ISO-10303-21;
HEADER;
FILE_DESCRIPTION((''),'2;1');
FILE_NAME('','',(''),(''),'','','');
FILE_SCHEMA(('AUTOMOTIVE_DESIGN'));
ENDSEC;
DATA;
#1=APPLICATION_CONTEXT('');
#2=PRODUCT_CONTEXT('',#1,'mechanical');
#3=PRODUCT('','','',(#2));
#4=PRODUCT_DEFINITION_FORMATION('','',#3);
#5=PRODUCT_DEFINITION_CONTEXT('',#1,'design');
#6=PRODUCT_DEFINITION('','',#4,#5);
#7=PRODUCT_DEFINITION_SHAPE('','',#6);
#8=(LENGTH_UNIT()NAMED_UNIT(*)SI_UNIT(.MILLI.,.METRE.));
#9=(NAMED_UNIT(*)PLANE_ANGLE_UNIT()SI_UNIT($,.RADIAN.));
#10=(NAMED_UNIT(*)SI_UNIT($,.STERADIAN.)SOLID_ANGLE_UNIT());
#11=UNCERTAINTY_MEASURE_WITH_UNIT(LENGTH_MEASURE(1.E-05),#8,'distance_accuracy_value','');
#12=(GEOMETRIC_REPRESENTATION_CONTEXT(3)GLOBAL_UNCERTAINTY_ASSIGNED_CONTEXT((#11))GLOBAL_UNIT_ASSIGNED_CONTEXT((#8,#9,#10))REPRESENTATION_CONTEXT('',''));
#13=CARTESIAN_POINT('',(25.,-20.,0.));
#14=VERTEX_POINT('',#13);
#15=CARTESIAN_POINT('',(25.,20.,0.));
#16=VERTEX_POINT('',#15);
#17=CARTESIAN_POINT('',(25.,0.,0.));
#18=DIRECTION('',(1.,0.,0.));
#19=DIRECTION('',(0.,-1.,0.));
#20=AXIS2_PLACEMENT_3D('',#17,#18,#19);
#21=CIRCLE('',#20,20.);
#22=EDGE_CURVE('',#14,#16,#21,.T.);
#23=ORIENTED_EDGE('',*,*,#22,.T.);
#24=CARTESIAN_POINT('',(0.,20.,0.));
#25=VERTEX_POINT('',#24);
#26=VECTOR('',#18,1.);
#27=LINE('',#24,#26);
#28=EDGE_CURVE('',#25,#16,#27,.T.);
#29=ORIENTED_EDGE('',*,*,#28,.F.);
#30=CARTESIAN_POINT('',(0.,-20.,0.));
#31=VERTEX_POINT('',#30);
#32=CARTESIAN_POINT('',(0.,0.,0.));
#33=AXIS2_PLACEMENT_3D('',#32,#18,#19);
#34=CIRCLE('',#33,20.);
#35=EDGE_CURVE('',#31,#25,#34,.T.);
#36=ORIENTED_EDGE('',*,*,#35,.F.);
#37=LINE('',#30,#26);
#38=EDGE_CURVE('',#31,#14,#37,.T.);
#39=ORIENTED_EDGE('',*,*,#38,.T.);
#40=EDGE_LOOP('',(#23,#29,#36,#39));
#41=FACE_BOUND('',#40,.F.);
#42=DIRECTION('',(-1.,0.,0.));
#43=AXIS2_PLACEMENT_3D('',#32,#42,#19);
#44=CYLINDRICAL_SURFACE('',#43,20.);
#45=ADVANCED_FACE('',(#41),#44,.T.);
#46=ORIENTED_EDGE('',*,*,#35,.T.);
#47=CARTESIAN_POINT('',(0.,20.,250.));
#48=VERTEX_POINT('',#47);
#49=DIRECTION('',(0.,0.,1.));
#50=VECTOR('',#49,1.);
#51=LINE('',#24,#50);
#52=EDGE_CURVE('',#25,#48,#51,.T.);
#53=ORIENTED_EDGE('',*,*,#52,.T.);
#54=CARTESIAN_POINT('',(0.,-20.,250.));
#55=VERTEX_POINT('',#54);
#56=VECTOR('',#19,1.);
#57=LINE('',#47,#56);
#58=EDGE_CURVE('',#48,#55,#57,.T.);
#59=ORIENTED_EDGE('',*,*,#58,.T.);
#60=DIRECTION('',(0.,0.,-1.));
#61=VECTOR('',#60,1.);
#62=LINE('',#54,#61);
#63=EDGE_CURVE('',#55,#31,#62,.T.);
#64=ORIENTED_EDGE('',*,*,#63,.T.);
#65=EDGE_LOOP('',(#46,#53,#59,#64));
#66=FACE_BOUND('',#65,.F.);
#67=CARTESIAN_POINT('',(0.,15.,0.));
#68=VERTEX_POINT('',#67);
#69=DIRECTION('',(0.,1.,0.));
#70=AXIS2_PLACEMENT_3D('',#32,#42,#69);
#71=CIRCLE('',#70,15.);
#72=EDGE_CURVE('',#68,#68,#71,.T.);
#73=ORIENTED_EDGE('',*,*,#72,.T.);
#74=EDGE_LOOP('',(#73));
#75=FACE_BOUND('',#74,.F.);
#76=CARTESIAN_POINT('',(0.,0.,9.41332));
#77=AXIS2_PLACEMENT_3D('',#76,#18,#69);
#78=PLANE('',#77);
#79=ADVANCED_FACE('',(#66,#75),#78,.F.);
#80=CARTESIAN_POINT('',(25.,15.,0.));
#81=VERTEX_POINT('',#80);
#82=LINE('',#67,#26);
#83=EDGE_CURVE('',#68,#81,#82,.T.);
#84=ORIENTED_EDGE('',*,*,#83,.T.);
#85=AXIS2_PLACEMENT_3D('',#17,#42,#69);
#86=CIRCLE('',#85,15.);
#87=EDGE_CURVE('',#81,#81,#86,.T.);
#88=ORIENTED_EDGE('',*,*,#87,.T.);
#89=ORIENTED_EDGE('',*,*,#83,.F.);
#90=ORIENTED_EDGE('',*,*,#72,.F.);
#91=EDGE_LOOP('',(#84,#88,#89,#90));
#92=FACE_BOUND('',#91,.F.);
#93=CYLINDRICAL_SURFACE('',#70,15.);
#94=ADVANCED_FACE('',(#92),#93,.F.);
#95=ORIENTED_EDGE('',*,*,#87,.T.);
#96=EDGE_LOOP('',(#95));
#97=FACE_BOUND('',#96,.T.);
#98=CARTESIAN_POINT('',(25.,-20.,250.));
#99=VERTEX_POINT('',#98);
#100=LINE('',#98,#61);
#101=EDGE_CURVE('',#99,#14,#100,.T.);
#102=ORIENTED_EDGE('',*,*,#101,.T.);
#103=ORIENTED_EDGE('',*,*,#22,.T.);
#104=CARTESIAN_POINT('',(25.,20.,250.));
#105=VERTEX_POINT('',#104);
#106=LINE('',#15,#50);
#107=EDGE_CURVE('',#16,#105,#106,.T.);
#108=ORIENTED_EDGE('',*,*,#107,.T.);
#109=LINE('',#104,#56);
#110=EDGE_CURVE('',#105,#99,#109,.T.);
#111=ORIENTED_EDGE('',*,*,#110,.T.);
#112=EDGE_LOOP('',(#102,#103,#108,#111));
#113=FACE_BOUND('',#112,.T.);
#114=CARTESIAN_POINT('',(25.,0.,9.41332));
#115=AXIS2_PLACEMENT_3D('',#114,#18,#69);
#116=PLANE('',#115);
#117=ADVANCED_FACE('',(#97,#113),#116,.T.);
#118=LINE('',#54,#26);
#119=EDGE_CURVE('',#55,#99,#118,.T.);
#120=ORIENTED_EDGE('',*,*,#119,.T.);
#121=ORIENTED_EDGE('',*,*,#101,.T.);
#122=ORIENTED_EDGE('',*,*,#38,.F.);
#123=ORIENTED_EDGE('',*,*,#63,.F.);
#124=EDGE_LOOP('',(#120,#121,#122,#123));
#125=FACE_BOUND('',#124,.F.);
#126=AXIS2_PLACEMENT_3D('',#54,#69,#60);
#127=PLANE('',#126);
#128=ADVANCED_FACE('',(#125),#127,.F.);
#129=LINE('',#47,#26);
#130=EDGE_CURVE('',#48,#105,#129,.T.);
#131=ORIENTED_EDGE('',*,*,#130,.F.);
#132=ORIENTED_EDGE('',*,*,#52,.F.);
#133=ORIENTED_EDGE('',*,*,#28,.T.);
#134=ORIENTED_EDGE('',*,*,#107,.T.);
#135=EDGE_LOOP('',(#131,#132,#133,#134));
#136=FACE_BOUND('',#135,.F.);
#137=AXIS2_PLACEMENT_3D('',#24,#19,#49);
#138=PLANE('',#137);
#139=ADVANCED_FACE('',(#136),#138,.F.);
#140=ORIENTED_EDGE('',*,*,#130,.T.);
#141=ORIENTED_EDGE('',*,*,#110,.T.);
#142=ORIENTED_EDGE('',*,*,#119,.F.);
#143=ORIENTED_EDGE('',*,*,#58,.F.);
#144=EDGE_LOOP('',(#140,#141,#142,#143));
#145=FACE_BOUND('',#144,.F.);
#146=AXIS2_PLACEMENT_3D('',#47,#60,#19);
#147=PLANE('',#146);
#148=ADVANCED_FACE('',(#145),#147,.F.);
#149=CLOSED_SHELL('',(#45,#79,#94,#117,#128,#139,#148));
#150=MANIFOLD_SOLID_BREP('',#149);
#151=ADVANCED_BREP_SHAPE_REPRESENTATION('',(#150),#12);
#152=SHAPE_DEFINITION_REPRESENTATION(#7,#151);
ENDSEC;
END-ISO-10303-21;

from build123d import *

# Parameters (mm, degrees)
F1_DEPTH = 25


with BuildPart() as f1:
    # F0 (on Right) → F1 (new body)
    with BuildSketch(Plane.YZ):
        with BuildLine():
            ThreePointArc((-15, 0), (0, 15), (15, 0))
            Line((15, 0), (20, 0))
            ThreePointArc((20, 0), (0, 20), (-20, 0))
            Line((-20, 0), (-15, 0))
        make_face()
        with BuildLine():
            Line((20, 0), (15, 0))
            ThreePointArc((15, 0), (0, -15), (-15, 0))
            Line((-15, 0), (-20, 0))
            ThreePointArc((-20, 0), (0, -20), (20, 0))
        make_face()
        with BuildLine():
            ThreePointArc((-20, 0), (0, 20), (20, 0))
            Line((20, 0), (20, 250))
            Line((20, 250), (-20, 250))
            Line((-20, 250), (-20, 0))
        make_face()
    extrude(amount=F1_DEPTH)


solid = f1.part
